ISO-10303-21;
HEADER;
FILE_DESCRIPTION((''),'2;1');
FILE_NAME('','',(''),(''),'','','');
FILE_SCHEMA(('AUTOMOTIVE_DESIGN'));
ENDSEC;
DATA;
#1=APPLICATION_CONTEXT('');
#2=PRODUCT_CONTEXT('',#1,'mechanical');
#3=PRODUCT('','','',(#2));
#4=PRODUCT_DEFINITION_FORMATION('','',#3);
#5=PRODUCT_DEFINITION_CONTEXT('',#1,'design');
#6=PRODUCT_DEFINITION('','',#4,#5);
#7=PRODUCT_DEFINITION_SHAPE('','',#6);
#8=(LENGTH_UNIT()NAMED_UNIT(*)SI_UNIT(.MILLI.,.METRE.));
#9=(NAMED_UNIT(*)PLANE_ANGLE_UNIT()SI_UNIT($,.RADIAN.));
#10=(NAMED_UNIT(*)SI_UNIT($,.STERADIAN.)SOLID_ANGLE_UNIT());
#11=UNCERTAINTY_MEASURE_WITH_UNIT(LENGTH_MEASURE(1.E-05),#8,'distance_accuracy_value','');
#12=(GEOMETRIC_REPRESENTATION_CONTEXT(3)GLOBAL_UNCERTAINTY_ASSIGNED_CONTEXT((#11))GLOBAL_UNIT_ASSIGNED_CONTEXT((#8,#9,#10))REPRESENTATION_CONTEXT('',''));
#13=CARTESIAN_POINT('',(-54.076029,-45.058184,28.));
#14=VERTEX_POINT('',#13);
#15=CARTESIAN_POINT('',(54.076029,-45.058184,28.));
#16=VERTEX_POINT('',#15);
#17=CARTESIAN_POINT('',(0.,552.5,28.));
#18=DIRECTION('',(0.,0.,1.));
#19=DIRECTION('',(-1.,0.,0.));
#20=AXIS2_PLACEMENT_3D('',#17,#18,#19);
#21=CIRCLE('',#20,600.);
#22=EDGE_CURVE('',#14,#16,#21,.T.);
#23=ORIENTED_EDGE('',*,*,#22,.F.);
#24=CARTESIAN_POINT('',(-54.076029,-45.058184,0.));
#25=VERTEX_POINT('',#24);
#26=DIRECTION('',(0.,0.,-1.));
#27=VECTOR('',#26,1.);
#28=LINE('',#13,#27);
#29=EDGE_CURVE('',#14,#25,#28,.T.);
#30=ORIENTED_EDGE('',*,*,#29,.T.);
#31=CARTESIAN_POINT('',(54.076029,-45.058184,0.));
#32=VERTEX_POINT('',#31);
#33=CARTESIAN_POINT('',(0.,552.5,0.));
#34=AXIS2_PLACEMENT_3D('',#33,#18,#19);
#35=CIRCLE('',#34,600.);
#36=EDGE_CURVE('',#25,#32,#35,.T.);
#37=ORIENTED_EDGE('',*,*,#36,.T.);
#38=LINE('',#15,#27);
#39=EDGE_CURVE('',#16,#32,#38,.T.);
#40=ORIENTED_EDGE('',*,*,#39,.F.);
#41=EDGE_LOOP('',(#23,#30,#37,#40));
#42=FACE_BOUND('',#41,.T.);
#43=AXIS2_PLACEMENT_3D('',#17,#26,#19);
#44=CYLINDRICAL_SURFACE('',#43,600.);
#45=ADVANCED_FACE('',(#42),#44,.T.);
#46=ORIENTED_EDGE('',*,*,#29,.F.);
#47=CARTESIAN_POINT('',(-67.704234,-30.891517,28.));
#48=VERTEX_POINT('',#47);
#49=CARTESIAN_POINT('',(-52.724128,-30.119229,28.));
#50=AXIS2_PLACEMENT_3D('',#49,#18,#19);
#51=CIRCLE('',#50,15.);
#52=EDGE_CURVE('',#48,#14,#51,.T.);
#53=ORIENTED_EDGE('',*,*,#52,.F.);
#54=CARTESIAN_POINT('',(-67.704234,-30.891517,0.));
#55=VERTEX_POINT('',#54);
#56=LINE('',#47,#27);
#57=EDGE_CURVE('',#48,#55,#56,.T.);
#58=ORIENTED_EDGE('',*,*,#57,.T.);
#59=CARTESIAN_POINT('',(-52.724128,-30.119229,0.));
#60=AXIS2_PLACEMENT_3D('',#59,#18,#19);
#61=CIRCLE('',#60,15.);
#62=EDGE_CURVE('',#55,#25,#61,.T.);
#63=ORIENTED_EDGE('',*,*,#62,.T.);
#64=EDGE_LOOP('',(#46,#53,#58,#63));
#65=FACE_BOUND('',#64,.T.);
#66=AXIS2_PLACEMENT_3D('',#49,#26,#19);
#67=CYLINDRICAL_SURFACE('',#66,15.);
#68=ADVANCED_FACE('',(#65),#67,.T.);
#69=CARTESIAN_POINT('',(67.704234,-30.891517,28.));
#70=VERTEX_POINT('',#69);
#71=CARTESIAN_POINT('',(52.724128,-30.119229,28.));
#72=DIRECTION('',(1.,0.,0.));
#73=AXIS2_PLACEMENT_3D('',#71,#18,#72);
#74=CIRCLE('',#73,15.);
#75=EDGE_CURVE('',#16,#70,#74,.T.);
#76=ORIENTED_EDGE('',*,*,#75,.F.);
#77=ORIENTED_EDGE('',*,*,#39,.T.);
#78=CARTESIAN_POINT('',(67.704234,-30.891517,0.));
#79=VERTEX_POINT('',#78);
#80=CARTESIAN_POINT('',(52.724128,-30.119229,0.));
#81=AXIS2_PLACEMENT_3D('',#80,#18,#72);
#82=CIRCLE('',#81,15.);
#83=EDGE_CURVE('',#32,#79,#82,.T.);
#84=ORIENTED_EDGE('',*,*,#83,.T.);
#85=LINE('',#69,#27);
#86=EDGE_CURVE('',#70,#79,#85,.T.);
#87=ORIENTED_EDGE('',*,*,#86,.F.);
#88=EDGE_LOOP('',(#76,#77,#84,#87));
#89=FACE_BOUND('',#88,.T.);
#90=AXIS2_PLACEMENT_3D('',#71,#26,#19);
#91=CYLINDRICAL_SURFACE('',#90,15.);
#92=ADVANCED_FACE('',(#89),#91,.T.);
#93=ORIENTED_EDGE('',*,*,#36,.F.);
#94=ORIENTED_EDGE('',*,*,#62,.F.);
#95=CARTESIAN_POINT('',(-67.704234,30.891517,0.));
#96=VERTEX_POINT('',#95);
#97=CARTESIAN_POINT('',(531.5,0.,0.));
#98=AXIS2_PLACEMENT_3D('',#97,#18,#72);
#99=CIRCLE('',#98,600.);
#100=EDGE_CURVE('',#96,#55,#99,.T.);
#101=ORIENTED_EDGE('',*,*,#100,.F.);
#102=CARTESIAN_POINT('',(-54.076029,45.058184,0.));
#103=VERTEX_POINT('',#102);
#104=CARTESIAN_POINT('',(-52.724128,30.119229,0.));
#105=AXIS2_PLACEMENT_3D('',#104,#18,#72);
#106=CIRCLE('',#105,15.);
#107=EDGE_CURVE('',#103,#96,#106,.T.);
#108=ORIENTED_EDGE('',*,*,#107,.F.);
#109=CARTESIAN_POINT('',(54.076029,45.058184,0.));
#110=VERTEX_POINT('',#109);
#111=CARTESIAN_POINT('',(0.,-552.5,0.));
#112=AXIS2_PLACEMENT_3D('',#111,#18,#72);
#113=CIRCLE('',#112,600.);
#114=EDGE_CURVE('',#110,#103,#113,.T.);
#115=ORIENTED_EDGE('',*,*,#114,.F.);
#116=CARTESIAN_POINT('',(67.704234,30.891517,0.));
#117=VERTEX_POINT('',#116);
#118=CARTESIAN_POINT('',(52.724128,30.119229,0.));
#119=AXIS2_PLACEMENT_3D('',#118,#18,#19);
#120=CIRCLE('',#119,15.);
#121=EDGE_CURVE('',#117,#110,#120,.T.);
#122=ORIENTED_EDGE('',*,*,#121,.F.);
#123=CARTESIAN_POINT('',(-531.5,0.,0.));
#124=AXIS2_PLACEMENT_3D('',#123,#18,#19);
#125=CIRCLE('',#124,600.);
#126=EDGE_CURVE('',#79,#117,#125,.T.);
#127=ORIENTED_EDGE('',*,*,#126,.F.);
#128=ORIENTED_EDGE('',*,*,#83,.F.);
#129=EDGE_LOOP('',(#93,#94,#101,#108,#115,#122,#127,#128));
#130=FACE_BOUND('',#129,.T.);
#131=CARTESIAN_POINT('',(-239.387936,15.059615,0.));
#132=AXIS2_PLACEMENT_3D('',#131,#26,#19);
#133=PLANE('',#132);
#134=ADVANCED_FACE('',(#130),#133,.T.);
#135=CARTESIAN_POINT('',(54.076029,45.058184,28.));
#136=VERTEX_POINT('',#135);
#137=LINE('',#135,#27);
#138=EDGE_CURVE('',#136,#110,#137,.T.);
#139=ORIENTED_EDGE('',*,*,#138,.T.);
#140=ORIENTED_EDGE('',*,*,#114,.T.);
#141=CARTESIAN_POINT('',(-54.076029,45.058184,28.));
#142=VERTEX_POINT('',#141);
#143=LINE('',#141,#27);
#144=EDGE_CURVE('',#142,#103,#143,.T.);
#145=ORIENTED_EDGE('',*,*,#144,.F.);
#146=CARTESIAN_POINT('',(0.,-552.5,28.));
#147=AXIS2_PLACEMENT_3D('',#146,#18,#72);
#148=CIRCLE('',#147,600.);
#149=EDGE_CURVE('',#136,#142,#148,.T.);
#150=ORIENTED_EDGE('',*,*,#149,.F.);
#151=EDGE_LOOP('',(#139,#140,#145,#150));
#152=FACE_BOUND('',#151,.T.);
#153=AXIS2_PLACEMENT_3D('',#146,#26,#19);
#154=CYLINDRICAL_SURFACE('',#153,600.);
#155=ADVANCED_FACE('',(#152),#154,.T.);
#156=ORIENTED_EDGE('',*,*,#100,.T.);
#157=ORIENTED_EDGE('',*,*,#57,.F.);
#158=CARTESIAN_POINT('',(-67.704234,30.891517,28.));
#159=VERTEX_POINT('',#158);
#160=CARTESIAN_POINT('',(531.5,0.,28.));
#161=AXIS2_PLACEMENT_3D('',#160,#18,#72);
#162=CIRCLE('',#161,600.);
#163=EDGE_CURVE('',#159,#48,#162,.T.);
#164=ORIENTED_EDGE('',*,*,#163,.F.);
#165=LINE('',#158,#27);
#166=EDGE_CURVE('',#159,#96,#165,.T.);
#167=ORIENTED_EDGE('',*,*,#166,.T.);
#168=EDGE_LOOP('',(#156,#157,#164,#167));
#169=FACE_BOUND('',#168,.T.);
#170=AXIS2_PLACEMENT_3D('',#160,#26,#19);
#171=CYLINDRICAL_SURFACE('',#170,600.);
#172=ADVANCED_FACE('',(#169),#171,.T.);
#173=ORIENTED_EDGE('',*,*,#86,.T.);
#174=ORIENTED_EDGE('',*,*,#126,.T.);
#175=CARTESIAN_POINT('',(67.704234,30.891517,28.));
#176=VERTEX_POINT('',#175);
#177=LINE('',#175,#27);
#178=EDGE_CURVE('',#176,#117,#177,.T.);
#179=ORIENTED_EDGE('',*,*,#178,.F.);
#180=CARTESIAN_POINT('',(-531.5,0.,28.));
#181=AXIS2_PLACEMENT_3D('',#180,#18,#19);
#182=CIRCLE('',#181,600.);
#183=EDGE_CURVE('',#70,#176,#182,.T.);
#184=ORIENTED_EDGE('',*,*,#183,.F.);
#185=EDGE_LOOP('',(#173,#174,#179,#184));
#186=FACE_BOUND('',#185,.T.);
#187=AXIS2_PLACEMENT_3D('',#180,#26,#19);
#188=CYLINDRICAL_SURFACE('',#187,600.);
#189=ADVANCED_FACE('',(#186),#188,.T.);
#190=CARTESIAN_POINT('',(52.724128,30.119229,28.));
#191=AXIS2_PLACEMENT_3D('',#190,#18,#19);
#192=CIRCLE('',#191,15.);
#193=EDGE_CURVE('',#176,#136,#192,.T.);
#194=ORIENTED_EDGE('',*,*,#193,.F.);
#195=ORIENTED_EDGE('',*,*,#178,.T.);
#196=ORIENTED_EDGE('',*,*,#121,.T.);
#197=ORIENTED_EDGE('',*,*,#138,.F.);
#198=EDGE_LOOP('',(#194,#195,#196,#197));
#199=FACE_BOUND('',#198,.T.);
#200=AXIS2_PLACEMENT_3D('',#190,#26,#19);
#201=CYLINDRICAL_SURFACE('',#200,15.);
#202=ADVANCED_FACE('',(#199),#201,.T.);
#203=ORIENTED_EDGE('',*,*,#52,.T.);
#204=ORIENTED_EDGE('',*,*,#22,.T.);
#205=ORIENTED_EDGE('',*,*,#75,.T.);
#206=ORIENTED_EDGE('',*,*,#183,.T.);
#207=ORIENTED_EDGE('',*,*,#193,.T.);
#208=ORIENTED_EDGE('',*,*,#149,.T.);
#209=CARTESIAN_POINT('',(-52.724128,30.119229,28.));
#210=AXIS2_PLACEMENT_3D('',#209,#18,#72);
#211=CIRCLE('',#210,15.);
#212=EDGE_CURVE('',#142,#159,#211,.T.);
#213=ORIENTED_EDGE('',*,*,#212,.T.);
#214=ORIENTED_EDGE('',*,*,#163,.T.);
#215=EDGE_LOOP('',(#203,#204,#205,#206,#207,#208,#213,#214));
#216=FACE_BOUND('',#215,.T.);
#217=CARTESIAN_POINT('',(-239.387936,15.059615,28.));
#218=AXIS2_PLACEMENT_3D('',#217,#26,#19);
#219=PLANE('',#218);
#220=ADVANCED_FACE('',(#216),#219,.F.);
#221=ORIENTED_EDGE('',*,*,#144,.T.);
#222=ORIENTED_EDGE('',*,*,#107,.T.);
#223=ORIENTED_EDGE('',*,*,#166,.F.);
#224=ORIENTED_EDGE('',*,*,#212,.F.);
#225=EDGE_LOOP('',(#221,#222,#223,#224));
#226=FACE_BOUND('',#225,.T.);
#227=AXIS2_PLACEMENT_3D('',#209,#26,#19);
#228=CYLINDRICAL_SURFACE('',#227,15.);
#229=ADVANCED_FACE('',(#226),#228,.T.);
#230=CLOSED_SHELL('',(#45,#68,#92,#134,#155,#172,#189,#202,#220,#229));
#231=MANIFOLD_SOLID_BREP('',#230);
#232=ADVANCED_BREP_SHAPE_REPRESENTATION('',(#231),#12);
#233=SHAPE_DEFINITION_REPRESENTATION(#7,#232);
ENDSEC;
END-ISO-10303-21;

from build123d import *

# Parameters (mm, degrees)
GRUNDFORM_DEPTH = 28


with BuildPart() as part:
    # Skizze2 → Grundform (new body)
    with BuildSketch(Plane.XY):
        with BuildLine():
            ThreePointArc((54.076028974, 45.058183854), (0, 47.5), (-54.076028974, 45.058183854))
            ThreePointArc((-54.076028974, 45.058183854), (-63.534180091, 40.5184013), (-67.704234102, 30.891517187))
            ThreePointArc((-67.704234102, 30.891517187), (-68.5, 0), (-67.704234102, -30.891517187))
            ThreePointArc((-67.704234102, -30.891517187), (-63.534180091, -40.5184013), (-54.076028974, -45.058183854))
            ThreePointArc((-54.076028974, -45.058183854), (0, -47.5), (54.076028974, -45.058183854))
            ThreePointArc((54.076028974, -45.058183854), (63.534180091, -40.5184013), (67.704234102, -30.891517187))
            ThreePointArc((67.704234102, -30.891517187), (68.5, 0), (67.704234102, 30.891517187))
            ThreePointArc((67.704234102, 30.891517187), (63.534180091, 40.5184013), (54.076028974, 45.058183854))
        make_face()
    extrude(amount=GRUNDFORM_DEPTH)


solid = part.part
